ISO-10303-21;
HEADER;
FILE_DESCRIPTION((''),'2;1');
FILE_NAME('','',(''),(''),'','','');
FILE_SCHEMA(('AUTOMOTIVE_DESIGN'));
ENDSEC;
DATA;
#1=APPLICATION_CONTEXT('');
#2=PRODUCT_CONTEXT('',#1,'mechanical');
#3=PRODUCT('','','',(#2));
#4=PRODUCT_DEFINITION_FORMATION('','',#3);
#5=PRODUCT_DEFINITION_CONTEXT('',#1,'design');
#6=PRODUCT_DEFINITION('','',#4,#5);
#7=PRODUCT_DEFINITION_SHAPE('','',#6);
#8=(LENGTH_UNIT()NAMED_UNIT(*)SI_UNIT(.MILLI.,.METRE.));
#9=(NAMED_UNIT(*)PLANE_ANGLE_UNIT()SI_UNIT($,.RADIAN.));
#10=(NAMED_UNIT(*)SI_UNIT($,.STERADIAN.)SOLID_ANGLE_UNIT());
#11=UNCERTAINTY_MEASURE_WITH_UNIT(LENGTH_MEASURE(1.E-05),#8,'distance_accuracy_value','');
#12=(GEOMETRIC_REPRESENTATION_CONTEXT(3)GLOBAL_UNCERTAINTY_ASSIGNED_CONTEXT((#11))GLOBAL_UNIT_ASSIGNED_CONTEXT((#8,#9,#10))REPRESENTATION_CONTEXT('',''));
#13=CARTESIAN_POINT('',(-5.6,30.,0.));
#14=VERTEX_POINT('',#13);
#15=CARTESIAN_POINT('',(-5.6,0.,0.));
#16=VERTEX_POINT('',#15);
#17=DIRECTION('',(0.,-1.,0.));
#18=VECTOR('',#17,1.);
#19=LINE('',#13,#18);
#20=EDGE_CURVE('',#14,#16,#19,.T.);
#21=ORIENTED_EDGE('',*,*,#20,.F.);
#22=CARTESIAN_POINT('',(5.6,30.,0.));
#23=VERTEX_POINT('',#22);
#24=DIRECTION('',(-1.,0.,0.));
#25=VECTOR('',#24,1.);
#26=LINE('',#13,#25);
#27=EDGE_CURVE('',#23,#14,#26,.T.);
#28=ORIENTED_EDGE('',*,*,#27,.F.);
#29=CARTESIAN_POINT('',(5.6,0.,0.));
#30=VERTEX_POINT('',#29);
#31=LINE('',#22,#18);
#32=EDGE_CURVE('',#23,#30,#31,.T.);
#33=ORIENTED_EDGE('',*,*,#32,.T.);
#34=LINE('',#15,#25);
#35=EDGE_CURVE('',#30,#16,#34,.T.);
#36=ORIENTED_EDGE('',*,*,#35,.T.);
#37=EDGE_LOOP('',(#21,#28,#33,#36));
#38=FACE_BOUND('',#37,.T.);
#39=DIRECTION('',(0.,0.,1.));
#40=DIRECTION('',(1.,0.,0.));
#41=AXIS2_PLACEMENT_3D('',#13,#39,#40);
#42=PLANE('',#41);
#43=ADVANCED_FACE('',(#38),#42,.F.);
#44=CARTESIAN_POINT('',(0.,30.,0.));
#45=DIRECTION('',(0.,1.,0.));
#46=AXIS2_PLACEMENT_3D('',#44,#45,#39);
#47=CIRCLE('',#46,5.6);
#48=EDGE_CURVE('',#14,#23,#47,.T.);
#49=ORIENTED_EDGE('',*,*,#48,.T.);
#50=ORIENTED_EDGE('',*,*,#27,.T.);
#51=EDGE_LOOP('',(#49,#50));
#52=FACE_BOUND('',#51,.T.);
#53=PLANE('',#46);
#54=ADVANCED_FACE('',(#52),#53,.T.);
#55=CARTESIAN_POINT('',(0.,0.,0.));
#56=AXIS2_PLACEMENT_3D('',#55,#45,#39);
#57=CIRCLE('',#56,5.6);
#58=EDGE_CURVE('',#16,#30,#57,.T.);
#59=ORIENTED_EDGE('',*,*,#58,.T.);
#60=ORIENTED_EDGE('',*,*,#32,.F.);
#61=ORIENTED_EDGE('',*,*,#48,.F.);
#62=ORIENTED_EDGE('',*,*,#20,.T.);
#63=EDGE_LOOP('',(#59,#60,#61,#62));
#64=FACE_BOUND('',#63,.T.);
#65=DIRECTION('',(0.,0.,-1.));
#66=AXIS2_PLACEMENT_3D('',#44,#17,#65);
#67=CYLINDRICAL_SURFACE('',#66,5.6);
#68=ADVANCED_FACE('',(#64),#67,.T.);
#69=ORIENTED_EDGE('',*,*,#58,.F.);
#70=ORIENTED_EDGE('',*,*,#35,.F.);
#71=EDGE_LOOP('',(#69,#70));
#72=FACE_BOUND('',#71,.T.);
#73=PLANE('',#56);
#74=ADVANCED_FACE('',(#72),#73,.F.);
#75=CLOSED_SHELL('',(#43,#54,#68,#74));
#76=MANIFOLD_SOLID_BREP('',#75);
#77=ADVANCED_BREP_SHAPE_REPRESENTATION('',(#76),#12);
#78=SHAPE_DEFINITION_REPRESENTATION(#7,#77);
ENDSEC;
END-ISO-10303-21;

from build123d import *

# Parameters (mm, degrees)
EXTRUDE_1_DEPTH = 30


with BuildPart() as part:
    # 草图1 → 凸台-拉伸1 (new body)
    with BuildSketch(Plane(origin=(0, 0, 0), x_dir=(1, 0, 0), z_dir=(0, 1, 0))):
        with BuildLine():
            Line((-5.6, 0), (5.6, 0))
            ThreePointArc((5.6, 0), (0, -5.6), (-5.6, 0))
        make_face()
    extrude(amount=EXTRUDE_1_DEPTH)


solid = part.part
